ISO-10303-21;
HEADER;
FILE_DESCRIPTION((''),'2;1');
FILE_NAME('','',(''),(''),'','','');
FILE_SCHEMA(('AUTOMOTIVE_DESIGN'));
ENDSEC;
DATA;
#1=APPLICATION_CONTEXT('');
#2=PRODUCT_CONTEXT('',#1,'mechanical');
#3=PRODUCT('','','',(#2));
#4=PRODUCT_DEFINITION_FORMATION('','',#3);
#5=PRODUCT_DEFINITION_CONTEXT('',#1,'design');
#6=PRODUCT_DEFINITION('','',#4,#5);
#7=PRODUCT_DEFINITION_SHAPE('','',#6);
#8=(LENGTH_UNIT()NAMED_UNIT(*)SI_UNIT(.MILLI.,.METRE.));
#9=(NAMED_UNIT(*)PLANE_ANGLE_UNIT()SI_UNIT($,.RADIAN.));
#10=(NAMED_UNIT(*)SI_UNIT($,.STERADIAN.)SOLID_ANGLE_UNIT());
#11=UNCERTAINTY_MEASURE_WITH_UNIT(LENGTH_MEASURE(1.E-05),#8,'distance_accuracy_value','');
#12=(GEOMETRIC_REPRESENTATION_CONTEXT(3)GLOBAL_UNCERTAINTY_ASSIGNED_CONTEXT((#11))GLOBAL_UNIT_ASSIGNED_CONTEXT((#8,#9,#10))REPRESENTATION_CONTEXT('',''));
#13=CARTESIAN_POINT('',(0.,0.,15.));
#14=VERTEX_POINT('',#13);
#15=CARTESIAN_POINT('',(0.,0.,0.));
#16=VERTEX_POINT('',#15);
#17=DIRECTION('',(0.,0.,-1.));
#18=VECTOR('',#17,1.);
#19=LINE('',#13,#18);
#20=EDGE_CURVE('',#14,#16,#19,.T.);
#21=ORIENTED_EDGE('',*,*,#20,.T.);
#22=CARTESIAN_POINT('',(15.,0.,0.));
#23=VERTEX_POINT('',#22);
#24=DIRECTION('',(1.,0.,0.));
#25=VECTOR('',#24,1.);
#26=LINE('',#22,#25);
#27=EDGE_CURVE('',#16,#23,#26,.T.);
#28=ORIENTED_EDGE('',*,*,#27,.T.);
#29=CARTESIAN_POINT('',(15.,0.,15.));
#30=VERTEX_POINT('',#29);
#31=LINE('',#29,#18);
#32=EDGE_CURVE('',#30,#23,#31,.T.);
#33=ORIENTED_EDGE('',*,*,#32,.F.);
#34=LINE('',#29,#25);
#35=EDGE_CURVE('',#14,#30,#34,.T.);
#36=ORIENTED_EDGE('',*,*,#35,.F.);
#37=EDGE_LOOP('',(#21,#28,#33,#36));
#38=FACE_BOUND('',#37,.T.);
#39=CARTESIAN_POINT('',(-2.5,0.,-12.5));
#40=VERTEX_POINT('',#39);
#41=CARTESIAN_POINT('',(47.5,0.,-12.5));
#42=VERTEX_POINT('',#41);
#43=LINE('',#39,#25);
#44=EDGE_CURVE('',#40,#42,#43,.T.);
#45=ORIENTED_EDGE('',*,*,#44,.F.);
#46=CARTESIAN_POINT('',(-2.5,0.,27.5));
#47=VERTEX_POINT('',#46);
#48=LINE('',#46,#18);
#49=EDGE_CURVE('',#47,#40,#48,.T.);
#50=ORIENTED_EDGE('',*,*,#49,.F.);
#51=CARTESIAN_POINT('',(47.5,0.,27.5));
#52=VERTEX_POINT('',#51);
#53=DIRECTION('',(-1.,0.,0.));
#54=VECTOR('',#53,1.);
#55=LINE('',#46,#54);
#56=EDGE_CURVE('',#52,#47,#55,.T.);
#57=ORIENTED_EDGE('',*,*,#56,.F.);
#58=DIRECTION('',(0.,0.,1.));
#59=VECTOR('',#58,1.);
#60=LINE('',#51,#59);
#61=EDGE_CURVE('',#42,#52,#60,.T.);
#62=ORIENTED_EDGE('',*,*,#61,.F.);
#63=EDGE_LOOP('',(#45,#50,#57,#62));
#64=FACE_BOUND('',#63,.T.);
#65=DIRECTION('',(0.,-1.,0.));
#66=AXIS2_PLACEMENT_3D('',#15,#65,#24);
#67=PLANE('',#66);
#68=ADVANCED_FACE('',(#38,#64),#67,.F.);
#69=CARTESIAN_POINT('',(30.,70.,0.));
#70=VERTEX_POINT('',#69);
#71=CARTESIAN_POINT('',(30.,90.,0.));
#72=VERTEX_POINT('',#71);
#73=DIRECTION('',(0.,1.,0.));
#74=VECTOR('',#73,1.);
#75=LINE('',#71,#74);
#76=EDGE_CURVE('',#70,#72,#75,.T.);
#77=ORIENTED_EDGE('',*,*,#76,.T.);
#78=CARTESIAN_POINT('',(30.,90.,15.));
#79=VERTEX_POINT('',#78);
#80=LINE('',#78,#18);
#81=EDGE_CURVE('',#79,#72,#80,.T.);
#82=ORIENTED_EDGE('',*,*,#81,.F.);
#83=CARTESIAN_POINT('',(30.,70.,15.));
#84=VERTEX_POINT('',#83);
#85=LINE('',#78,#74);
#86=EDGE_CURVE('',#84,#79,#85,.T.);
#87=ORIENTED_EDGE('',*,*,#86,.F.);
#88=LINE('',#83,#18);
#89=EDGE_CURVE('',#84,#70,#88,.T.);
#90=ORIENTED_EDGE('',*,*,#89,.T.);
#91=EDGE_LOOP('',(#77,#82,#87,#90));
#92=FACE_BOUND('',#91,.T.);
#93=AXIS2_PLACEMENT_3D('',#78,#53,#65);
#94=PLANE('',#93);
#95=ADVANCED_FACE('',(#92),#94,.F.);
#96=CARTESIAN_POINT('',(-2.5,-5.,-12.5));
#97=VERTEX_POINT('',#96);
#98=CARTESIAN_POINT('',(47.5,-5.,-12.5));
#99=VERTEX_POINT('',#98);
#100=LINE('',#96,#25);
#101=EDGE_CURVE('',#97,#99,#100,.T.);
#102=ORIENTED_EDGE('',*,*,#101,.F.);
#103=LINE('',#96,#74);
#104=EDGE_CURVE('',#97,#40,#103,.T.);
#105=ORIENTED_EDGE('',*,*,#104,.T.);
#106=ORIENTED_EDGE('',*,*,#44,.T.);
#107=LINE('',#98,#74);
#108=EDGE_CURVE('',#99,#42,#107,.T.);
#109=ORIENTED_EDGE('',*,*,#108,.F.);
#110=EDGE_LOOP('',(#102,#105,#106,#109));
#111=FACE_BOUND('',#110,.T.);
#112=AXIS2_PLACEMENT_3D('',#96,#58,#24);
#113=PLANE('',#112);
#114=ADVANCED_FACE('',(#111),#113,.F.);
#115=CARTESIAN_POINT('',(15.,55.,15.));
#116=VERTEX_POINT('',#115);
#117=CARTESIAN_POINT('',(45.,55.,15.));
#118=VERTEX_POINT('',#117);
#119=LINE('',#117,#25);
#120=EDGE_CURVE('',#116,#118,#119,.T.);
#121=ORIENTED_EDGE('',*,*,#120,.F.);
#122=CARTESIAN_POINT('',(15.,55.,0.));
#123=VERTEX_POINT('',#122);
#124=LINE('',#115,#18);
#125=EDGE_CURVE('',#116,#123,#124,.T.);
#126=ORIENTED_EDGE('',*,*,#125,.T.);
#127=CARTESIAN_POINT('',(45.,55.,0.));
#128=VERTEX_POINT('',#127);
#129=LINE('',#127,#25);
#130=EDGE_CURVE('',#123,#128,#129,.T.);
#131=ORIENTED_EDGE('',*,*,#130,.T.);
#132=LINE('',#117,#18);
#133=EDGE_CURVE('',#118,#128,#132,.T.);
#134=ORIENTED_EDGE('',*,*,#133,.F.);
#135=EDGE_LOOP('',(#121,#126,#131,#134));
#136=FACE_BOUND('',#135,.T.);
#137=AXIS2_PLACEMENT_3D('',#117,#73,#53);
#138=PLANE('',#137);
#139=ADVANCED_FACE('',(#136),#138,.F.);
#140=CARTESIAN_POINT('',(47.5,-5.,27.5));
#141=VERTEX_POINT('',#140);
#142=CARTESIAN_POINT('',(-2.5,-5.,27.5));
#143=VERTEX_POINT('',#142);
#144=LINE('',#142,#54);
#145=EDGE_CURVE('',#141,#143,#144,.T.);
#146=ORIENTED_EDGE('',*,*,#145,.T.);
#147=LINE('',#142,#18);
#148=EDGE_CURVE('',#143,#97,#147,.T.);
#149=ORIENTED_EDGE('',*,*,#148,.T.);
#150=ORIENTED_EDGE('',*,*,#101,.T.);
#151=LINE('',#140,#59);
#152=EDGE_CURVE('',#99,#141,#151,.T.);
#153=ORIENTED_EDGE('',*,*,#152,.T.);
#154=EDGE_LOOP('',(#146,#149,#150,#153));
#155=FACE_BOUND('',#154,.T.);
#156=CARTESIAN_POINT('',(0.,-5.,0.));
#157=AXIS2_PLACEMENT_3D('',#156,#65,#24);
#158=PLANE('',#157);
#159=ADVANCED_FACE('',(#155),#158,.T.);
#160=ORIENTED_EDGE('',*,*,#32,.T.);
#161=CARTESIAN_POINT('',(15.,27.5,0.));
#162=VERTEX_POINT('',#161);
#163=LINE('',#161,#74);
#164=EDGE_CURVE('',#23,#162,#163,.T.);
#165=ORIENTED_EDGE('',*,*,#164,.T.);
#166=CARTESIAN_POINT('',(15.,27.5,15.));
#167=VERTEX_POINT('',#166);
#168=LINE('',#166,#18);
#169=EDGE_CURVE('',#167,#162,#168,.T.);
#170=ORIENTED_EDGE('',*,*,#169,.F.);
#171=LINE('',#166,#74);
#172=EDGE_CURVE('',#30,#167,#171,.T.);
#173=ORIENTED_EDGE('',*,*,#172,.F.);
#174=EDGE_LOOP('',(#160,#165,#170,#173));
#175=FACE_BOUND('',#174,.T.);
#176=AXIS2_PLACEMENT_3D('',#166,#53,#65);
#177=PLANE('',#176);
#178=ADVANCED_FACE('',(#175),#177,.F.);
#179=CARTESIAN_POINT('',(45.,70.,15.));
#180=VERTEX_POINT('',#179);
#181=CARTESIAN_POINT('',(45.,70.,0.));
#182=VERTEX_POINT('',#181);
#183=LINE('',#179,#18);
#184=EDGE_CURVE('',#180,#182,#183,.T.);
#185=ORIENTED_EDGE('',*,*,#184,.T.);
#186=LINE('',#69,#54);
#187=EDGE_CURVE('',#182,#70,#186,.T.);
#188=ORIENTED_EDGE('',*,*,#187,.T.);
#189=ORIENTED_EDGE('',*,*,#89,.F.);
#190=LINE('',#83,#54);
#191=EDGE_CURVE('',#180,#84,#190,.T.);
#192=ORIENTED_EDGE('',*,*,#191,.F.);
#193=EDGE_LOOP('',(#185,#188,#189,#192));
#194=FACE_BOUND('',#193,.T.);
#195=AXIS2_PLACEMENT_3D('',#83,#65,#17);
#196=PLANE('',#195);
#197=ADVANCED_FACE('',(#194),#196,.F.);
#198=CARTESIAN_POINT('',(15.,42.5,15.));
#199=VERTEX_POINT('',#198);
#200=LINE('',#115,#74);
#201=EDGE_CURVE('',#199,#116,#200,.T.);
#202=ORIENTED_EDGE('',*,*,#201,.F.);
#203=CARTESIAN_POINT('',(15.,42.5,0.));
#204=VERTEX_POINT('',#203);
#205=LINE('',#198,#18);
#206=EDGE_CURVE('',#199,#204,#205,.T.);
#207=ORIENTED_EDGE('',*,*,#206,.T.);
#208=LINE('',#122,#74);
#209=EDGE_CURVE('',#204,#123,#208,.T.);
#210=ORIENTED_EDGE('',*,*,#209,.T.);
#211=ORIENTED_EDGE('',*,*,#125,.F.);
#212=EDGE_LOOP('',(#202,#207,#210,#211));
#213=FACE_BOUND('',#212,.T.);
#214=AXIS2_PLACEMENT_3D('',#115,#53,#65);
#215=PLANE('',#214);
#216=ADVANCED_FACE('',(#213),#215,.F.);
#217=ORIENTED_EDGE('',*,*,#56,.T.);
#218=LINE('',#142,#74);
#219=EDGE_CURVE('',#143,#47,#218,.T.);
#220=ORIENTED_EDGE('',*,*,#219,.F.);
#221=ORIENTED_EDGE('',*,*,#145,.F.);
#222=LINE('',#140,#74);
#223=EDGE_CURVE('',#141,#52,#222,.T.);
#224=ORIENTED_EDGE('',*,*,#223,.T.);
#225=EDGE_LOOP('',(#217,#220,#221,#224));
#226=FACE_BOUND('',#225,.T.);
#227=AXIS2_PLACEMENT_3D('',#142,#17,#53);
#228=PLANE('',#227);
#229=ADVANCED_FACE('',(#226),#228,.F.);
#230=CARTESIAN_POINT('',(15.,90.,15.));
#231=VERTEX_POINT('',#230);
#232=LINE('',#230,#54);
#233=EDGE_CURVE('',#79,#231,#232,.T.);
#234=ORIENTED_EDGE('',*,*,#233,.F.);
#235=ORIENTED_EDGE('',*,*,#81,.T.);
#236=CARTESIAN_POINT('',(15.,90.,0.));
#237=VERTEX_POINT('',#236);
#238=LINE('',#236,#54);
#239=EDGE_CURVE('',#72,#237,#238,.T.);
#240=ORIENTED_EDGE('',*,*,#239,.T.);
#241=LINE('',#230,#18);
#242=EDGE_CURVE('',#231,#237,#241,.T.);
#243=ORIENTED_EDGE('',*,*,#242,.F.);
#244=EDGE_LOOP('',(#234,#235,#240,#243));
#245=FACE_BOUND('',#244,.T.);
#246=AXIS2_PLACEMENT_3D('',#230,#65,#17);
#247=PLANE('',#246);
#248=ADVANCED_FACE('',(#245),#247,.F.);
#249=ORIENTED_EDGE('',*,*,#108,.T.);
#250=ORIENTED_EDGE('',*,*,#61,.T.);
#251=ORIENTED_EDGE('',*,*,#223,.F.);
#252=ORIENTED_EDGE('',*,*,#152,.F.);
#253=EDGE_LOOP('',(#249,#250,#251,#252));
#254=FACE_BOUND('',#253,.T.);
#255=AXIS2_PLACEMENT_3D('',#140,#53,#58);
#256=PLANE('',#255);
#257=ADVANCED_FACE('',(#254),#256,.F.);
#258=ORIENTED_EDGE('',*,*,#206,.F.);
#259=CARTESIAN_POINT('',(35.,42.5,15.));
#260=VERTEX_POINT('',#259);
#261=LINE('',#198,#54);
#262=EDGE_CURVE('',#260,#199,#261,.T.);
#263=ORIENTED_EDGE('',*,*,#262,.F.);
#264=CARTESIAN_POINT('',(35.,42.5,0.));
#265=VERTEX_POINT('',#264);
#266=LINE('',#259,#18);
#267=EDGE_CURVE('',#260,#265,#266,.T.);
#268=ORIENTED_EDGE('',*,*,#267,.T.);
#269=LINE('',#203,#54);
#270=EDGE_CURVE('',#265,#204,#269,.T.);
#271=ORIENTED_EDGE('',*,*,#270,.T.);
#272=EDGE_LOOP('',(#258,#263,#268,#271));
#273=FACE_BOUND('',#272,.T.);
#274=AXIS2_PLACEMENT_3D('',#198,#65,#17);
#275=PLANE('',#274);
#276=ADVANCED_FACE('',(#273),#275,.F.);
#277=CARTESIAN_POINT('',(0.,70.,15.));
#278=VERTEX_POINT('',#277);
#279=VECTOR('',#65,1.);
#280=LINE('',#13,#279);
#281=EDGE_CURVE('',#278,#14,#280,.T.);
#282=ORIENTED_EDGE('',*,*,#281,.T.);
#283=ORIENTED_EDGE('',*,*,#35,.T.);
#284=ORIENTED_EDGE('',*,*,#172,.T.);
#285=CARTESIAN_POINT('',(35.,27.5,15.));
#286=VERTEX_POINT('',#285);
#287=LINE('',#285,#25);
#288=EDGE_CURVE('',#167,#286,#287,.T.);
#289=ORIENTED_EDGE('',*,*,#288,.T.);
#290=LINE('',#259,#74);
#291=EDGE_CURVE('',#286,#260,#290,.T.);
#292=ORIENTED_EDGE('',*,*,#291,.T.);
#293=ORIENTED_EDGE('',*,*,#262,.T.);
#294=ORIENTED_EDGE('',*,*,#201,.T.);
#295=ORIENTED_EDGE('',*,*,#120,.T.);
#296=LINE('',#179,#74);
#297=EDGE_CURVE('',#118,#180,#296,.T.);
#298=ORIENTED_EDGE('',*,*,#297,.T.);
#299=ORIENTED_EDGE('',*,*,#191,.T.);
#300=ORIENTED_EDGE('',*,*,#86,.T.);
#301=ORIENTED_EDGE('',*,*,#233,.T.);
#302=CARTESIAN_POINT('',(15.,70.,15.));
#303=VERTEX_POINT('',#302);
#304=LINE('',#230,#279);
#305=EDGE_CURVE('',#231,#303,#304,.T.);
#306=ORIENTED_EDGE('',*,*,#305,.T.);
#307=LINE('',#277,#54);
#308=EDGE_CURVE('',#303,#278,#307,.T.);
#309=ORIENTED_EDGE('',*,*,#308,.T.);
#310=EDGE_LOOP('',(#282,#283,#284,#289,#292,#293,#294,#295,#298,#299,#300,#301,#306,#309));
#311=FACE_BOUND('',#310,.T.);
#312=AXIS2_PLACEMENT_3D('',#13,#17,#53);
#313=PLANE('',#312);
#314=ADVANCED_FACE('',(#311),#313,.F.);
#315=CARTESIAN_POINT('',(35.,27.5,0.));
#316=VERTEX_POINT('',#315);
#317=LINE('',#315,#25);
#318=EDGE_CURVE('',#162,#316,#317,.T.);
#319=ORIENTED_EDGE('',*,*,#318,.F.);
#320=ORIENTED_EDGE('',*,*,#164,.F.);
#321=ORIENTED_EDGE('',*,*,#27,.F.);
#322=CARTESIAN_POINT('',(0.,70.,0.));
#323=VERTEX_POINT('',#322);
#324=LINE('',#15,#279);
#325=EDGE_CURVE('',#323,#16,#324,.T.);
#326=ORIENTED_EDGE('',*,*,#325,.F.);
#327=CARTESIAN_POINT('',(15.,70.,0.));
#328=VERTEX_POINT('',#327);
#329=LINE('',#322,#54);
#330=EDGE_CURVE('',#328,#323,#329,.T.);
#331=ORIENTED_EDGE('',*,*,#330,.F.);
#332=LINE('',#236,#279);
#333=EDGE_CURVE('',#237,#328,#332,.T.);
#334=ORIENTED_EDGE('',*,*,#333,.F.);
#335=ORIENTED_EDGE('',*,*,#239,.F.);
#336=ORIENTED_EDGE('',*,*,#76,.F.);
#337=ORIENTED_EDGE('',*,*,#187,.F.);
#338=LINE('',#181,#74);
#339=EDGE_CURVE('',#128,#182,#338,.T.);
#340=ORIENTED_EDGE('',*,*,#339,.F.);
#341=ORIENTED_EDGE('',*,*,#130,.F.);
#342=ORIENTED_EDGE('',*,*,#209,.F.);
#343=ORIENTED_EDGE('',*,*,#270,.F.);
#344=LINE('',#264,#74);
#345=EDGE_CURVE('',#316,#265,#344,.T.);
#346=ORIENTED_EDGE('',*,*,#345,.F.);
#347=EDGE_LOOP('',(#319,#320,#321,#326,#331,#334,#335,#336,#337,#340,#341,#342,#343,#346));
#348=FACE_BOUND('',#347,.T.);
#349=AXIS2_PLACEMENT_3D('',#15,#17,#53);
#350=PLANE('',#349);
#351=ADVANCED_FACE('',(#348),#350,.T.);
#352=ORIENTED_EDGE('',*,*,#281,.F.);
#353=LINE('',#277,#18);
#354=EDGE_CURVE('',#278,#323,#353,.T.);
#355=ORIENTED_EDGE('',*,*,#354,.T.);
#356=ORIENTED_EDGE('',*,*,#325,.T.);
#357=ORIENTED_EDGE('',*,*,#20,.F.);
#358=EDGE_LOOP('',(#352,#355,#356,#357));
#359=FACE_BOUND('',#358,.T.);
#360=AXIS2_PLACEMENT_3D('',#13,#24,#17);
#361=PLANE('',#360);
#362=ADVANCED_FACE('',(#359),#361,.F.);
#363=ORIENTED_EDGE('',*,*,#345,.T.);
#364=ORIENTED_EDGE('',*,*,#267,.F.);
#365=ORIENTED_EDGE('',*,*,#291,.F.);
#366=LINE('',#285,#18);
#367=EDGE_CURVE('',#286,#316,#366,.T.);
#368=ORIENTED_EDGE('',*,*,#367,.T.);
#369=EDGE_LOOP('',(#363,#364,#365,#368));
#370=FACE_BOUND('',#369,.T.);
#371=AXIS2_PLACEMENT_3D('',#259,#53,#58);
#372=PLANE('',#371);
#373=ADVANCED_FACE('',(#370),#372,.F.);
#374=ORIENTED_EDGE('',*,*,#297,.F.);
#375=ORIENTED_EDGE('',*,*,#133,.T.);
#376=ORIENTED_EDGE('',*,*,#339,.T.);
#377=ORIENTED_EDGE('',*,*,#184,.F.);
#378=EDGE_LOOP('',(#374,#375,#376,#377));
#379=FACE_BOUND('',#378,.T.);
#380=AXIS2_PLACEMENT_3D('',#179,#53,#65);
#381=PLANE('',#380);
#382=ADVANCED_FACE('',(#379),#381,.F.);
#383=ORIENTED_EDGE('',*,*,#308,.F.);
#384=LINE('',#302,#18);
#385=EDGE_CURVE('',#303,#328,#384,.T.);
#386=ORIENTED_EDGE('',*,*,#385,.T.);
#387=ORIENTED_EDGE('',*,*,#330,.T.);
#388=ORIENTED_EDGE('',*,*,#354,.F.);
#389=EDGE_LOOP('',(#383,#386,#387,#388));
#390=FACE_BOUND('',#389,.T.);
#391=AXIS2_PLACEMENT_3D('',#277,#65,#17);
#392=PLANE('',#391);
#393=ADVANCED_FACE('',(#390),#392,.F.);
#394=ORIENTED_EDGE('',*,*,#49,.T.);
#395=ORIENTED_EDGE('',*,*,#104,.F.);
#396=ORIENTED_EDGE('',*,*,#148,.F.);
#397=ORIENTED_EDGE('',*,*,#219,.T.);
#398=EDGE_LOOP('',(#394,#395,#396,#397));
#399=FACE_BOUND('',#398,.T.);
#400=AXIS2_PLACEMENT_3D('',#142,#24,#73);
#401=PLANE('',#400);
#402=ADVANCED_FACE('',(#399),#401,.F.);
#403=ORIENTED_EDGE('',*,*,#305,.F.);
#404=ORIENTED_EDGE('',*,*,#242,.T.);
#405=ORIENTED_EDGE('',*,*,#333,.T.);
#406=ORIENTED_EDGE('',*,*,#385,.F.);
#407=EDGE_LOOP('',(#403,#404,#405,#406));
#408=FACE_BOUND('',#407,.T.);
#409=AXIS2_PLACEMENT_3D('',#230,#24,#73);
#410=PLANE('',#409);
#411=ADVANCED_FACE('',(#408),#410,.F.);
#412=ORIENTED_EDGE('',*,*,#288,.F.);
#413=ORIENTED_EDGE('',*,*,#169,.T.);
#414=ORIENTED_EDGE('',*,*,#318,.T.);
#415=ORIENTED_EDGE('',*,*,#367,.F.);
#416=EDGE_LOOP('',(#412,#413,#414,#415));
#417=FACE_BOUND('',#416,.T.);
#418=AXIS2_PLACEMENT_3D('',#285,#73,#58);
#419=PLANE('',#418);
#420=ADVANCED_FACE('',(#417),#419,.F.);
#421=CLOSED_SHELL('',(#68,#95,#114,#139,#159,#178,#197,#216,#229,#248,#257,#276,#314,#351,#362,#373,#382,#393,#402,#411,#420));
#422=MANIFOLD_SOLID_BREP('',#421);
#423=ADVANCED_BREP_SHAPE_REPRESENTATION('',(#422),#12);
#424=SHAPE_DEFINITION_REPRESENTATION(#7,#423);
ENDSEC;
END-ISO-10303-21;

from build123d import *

# Parameters (mm, degrees)
AUFSATZ_LINEAR_AUSTRAGEN1_DEPTH = 15
SKIZZE2_W                       = 50
SKIZZE2_H                       = 40
AUFSATZ_LINEAR_AUSTRAGEN2_DEPTH = 5


with BuildPart() as part:
    # Skizze1 → Aufsatz-Linear austragen1 (new body)
    with BuildSketch(Plane.XY):
        Polygon((0, 0), (0, 70), (15, 70), (15, 90), (30, 90), (30, 70), (45, 70), (45, 55), (15, 55), (15, 42.5), (35, 42.5), (35, 27.5), (15, 27.5), (15, 0), align=None)
    extrude(amount=AUFSATZ_LINEAR_AUSTRAGEN1_DEPTH)

    # Skizze2 → Aufsatz-Linear austragen2 (add)
    with BuildSketch(Plane.XZ):
        with Locations((22.5, 7.5)):
            Rectangle(SKIZZE2_W, SKIZZE2_H)
    extrude(amount=AUFSATZ_LINEAR_AUSTRAGEN2_DEPTH)


solid = part.part
